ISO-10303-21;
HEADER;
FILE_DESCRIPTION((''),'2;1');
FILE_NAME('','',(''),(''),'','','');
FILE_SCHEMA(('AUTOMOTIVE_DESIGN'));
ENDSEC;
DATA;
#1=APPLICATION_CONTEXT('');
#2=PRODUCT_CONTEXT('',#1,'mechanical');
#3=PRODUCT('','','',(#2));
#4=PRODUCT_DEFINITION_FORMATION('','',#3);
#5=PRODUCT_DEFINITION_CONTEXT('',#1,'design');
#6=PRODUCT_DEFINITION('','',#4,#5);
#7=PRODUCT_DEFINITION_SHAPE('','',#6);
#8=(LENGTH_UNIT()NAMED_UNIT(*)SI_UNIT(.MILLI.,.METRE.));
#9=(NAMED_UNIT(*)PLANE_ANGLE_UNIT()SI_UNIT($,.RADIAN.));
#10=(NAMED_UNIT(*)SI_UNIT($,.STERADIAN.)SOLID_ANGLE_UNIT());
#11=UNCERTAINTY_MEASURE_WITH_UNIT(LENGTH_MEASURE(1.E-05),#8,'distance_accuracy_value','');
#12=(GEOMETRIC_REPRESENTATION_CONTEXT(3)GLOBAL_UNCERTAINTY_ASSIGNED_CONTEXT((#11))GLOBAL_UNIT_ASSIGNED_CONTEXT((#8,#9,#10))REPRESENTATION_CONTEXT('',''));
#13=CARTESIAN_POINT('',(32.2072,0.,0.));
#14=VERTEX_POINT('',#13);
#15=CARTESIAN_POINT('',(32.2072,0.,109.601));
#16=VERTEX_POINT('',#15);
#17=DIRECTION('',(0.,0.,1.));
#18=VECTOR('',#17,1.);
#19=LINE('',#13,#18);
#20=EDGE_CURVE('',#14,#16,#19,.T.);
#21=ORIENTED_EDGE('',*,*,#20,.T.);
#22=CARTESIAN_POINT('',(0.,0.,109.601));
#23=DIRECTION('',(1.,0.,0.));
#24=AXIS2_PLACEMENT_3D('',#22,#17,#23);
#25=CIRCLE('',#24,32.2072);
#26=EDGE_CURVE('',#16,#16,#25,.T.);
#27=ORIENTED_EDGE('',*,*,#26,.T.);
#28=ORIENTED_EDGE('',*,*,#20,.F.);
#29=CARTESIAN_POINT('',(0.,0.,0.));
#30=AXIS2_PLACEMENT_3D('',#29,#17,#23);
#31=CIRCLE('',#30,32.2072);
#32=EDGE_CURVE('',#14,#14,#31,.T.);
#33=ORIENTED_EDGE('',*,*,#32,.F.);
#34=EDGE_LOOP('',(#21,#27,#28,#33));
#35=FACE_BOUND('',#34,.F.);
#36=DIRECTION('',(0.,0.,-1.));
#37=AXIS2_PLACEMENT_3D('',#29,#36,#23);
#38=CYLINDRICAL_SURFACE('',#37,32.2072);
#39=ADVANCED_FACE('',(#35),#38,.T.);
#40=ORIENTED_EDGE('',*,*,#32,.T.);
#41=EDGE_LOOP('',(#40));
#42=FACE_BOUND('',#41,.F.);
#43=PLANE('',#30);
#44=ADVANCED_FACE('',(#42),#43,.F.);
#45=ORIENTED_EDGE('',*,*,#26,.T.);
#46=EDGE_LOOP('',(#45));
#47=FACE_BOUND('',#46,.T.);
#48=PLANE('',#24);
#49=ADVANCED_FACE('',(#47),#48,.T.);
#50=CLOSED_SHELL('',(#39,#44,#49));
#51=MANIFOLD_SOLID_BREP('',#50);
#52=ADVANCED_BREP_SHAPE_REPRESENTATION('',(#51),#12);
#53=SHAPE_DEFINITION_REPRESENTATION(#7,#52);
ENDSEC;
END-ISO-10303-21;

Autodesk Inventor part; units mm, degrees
ref_plane "YZ Plane" through (0, 0, 0) normal (1, 0, 0) x (0, 1, 0)
ref_plane "XZ Plane" through (0, 0, 0) normal (0, 1, 0) x (-1, 0, 0)
ref_plane "XY Plane" through (0, 0, 0) normal (0, 0, 1) x (1, 0, 0)
sketch "Sketch1" plane through (0, 0, 0) normal (0, 0, 1) x (1, 0, 0)
  circle A0 centre (0, 0) radius 32.2072
  dimension "d0" = 64.4144
extrude "Extrusion1" add sketch "Sketch1" along normal blind 109.601
properties part number "CIMBody"
